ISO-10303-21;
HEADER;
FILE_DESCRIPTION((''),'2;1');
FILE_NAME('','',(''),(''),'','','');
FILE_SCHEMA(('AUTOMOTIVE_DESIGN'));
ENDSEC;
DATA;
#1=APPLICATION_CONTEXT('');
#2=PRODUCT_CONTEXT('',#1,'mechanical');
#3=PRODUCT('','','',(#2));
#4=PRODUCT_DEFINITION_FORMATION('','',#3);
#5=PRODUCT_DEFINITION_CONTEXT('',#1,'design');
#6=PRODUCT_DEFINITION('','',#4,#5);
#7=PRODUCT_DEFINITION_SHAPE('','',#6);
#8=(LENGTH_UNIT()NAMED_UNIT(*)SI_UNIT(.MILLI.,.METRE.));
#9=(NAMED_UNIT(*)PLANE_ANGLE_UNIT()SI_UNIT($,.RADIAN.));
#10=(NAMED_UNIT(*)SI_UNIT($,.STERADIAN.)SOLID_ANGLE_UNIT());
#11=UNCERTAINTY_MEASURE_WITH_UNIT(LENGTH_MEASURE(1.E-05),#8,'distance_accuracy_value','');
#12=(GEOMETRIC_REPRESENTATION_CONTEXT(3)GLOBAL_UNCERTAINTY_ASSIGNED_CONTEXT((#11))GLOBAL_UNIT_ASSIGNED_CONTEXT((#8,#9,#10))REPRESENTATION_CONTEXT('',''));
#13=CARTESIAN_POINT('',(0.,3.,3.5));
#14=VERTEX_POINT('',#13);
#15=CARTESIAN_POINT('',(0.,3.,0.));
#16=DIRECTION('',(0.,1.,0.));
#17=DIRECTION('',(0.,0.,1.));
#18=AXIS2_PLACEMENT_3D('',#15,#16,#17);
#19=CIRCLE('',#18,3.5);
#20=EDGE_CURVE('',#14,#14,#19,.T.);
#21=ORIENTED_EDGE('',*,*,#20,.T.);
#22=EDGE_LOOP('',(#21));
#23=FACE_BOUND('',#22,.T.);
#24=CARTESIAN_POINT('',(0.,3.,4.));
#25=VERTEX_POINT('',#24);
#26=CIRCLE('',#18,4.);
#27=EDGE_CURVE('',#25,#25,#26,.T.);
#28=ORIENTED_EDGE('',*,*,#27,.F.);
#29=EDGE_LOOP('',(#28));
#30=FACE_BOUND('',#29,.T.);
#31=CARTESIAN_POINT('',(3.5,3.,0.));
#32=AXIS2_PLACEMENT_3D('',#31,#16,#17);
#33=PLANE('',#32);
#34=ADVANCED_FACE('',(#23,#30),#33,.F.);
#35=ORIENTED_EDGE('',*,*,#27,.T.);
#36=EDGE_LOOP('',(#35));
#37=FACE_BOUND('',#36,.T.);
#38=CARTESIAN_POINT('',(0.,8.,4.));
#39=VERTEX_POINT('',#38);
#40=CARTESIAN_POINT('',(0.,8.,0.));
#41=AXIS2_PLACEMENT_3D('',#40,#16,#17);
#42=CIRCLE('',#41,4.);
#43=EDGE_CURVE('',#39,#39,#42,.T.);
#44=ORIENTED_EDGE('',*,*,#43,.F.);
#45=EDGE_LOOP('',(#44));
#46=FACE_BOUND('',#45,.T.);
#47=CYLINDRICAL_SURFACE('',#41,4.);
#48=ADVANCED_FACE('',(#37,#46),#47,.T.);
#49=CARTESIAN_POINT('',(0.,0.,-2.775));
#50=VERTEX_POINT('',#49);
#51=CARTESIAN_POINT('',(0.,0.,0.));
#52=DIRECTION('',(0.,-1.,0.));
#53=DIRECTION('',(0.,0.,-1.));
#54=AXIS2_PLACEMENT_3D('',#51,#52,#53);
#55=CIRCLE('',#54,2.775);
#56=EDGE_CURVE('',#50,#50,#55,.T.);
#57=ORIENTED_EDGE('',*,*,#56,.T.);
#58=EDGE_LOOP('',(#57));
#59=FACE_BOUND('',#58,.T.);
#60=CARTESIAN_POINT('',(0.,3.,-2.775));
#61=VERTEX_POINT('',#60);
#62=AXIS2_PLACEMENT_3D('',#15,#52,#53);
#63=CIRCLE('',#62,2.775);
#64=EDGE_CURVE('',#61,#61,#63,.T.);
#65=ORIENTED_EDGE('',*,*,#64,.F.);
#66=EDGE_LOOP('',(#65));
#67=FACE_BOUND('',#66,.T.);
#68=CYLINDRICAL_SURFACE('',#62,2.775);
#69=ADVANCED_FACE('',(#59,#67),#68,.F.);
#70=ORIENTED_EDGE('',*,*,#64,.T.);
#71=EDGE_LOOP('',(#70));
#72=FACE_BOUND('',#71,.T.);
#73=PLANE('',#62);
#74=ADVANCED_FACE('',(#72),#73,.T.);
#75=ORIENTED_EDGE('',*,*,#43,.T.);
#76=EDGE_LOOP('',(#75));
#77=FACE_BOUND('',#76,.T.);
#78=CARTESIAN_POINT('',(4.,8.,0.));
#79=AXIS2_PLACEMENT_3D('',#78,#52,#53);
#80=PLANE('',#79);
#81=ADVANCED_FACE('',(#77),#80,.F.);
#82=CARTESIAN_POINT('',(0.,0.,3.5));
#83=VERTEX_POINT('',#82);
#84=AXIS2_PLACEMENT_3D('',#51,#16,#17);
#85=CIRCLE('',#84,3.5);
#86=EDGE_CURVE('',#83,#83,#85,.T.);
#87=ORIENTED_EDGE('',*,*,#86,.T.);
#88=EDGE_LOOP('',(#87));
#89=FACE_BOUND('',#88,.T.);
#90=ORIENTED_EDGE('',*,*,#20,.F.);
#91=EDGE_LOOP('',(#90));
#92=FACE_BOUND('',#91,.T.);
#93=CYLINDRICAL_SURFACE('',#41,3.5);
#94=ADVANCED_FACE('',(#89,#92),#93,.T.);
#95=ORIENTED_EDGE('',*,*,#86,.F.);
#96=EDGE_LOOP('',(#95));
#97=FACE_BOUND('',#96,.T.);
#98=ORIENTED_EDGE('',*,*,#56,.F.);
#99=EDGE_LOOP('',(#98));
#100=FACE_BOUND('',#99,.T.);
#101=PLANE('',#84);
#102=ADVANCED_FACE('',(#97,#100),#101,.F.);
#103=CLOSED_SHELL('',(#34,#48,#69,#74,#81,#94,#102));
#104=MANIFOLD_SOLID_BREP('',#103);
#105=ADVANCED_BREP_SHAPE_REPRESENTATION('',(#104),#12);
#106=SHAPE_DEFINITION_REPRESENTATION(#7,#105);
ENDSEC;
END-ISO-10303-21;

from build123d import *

# Parameters (mm, degrees)
SKETCH2_R          = 2.775
CUT_EXTRUDE1_DEPTH = 3


with BuildPart() as part:
    # Sketch1 → Revolve1 (revolve)
    with BuildSketch(Plane.XY):
        Polygon((0, 0), (3.5, 0), (3.5, 3), (4, 3), (4, 8), (0, 8), align=None)
    revolve(axis=Axis((0, 8, 0), (0, -1, 0)))

    # Sketch2 → Cut-Extrude1 (cut)
    with BuildSketch(Plane.XZ):
        Circle(SKETCH2_R)
    extrude(amount=-CUT_EXTRUDE1_DEPTH, mode=Mode.SUBTRACT)


solid = part.part
